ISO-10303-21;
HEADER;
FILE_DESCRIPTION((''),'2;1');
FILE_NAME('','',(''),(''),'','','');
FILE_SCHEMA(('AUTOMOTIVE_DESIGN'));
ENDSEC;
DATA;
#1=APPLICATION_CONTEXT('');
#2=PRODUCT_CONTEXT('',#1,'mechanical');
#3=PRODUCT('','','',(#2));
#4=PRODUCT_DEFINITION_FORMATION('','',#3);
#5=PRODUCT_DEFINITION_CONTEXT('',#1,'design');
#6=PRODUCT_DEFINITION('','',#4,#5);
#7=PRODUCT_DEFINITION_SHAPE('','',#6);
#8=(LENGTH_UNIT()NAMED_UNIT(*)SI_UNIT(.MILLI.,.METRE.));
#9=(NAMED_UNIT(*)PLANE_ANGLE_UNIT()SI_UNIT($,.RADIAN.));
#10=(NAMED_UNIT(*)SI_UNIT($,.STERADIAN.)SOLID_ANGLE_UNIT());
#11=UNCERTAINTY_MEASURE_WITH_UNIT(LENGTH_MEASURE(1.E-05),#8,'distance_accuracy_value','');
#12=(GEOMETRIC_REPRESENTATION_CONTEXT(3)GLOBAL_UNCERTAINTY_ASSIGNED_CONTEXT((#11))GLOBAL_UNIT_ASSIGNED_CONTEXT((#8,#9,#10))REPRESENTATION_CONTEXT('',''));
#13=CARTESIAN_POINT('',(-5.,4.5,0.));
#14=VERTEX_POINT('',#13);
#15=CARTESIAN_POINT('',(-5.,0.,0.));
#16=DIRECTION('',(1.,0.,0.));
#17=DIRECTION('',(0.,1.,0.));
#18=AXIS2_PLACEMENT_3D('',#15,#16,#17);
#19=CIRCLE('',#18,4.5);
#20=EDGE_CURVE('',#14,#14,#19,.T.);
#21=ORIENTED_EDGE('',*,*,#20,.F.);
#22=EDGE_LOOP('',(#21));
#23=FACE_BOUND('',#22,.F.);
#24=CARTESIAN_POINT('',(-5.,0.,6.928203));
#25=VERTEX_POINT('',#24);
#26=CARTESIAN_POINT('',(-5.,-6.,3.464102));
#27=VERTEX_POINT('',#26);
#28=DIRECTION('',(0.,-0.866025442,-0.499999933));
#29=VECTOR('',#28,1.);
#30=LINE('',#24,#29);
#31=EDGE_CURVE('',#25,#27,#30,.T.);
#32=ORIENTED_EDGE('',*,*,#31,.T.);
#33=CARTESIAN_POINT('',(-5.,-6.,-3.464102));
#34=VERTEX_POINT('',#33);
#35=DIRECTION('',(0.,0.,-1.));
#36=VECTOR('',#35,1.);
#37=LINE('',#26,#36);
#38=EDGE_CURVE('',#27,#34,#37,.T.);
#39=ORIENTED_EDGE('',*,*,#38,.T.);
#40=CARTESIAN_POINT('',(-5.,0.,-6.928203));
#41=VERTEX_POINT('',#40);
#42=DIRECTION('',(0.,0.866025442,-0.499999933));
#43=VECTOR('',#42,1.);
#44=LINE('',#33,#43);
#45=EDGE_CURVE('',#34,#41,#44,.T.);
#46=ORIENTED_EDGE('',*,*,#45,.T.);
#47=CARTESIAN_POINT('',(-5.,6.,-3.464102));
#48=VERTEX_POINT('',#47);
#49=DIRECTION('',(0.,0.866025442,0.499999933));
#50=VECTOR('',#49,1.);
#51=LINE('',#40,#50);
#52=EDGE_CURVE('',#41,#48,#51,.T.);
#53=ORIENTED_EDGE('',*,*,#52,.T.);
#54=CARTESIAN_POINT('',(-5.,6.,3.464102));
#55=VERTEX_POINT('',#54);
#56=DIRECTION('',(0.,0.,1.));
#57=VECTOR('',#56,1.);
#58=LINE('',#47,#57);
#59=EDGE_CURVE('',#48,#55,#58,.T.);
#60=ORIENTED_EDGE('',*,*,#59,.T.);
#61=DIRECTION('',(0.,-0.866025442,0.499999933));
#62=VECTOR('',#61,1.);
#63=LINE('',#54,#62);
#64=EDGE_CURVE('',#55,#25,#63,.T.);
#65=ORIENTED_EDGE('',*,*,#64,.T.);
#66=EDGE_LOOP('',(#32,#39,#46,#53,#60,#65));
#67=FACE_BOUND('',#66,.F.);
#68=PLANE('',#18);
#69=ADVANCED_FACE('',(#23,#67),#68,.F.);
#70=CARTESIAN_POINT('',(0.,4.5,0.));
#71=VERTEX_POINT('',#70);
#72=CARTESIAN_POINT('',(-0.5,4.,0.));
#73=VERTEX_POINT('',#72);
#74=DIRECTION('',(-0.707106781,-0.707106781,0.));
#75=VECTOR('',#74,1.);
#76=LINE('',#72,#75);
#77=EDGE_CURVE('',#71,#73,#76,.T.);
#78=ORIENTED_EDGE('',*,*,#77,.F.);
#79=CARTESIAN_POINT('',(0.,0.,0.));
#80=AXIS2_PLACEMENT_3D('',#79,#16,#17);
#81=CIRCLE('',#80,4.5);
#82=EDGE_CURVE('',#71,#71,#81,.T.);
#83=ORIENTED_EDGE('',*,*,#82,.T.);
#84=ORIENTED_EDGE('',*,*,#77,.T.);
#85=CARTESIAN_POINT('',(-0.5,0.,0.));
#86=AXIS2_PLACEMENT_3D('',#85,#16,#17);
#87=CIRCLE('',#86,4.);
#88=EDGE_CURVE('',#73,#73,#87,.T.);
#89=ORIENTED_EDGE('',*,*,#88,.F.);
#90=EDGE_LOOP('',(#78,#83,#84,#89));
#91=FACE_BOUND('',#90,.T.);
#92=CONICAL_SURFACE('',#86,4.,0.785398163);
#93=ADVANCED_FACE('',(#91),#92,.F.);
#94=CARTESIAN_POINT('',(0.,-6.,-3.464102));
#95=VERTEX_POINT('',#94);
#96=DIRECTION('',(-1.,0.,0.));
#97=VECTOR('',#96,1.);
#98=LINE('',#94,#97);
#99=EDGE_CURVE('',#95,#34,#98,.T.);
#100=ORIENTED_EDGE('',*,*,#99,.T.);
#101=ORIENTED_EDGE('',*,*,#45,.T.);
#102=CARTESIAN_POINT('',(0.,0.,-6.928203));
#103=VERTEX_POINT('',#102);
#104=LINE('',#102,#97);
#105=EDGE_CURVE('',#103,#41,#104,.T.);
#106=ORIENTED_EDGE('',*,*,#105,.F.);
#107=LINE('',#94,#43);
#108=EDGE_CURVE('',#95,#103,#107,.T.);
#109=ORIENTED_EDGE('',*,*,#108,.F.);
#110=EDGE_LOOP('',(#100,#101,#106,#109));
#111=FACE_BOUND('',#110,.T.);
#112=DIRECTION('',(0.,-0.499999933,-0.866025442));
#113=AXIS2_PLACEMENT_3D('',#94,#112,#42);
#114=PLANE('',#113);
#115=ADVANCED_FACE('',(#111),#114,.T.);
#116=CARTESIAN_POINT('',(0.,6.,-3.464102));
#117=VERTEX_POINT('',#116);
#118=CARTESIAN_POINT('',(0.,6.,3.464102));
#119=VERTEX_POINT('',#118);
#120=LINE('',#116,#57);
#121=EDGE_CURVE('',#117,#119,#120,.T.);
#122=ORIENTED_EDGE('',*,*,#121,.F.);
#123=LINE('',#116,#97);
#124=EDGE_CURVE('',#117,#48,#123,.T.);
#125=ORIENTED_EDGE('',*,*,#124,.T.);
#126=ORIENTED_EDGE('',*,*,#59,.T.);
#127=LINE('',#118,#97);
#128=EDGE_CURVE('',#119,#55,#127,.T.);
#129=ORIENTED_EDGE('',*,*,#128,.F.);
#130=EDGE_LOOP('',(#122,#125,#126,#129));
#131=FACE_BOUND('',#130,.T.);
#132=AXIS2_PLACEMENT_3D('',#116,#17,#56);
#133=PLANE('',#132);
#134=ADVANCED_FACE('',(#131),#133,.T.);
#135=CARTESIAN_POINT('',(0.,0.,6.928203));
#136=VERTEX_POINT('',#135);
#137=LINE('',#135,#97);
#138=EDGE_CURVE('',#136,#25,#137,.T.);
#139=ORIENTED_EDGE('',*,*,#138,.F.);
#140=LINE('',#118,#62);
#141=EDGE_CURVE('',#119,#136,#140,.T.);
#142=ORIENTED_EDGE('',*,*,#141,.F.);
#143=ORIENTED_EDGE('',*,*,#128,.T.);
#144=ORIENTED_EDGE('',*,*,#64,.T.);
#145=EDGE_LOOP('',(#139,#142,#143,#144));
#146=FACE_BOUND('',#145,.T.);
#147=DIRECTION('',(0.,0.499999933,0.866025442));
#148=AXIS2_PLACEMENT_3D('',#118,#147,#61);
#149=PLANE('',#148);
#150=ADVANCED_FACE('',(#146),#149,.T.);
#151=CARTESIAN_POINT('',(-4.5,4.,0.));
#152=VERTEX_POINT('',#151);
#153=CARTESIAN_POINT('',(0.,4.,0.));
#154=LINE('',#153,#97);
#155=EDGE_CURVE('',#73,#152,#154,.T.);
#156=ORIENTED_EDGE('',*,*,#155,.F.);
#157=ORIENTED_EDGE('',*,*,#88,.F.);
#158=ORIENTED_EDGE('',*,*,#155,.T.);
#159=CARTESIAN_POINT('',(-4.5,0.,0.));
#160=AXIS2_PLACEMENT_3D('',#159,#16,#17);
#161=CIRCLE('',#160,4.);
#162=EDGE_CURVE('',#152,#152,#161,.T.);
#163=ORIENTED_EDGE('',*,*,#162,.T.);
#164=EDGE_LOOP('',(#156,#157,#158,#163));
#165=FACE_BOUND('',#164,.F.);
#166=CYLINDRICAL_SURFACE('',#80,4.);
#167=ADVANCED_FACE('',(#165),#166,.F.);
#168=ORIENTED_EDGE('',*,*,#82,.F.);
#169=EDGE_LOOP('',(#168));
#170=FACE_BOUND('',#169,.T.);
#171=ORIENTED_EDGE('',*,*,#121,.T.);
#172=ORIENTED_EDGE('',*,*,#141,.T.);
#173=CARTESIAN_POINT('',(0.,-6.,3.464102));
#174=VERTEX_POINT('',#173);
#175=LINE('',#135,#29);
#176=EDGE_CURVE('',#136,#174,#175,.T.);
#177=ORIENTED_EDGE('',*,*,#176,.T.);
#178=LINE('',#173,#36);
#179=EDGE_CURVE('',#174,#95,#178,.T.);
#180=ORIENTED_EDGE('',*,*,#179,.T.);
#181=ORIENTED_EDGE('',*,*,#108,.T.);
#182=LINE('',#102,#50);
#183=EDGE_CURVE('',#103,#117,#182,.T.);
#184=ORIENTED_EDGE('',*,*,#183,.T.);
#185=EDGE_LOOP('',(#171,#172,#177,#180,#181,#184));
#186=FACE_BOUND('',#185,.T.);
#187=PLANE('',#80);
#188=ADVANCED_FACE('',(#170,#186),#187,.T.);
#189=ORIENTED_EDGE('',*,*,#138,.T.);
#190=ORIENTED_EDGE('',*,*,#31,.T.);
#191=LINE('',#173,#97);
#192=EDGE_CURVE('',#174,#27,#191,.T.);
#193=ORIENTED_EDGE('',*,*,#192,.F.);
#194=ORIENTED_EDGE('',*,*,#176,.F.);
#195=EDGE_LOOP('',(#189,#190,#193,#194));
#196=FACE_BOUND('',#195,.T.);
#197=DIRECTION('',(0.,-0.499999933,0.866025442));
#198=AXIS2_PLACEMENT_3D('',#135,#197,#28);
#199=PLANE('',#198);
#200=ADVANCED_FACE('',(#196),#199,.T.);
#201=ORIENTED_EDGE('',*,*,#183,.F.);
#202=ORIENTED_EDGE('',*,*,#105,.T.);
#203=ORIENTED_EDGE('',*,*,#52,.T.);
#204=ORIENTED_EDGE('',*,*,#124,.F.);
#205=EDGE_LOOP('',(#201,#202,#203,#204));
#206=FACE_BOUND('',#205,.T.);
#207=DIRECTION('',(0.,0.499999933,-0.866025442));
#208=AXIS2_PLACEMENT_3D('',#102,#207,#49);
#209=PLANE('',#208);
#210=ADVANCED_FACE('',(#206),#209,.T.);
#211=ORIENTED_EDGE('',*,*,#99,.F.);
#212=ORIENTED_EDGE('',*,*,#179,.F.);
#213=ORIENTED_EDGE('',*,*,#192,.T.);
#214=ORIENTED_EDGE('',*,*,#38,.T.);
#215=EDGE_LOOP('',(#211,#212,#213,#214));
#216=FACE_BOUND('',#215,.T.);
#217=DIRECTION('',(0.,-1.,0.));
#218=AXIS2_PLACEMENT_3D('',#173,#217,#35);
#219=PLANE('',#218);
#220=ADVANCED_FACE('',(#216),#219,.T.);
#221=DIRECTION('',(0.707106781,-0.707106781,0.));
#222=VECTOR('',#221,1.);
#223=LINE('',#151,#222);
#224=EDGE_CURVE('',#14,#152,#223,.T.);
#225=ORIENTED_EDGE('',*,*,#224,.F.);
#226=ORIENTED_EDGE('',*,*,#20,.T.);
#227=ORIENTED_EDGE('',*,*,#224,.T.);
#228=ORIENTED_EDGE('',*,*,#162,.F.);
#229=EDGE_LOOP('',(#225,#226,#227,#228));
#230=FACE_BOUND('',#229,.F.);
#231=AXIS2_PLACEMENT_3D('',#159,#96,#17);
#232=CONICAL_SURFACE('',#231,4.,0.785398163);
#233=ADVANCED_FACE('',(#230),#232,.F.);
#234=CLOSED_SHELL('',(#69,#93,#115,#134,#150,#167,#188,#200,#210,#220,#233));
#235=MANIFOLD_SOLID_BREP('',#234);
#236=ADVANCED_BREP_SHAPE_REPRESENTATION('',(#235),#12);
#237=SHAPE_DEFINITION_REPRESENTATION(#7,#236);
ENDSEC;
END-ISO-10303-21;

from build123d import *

# Parameters (mm, degrees)
F1_DEPTH = 5
F2_R     = 4
F3_DEPTH = 5.001
F4_SIZE  = 0.5


with BuildPart() as f1:
    # F0 (on Right) → F1 (new body)
    with BuildSketch(Plane.YZ):
        Polygon((0, -6.928203), (6, -3.464102), (6, 3.464102), (0, 6.928203), (-6, 3.464102), (-6, -3.464102), align=None)
    extrude(amount=-F1_DEPTH)

    # F2 (on face) → F3 (cut, through all)
    with BuildSketch(Plane.YZ):
        Circle(F2_R)
    extrude(amount=-F3_DEPTH, mode=Mode.SUBTRACT)

    # F4
    f4_edges = [f1.edges().sort_by_distance(p)[0] for p in [
        (0, -4, 0),
        (-2.5, 4, 0),
        (-5, -4, 0),
    ]]
    chamfer(f4_edges, length=F4_SIZE)


solid = f1.part
